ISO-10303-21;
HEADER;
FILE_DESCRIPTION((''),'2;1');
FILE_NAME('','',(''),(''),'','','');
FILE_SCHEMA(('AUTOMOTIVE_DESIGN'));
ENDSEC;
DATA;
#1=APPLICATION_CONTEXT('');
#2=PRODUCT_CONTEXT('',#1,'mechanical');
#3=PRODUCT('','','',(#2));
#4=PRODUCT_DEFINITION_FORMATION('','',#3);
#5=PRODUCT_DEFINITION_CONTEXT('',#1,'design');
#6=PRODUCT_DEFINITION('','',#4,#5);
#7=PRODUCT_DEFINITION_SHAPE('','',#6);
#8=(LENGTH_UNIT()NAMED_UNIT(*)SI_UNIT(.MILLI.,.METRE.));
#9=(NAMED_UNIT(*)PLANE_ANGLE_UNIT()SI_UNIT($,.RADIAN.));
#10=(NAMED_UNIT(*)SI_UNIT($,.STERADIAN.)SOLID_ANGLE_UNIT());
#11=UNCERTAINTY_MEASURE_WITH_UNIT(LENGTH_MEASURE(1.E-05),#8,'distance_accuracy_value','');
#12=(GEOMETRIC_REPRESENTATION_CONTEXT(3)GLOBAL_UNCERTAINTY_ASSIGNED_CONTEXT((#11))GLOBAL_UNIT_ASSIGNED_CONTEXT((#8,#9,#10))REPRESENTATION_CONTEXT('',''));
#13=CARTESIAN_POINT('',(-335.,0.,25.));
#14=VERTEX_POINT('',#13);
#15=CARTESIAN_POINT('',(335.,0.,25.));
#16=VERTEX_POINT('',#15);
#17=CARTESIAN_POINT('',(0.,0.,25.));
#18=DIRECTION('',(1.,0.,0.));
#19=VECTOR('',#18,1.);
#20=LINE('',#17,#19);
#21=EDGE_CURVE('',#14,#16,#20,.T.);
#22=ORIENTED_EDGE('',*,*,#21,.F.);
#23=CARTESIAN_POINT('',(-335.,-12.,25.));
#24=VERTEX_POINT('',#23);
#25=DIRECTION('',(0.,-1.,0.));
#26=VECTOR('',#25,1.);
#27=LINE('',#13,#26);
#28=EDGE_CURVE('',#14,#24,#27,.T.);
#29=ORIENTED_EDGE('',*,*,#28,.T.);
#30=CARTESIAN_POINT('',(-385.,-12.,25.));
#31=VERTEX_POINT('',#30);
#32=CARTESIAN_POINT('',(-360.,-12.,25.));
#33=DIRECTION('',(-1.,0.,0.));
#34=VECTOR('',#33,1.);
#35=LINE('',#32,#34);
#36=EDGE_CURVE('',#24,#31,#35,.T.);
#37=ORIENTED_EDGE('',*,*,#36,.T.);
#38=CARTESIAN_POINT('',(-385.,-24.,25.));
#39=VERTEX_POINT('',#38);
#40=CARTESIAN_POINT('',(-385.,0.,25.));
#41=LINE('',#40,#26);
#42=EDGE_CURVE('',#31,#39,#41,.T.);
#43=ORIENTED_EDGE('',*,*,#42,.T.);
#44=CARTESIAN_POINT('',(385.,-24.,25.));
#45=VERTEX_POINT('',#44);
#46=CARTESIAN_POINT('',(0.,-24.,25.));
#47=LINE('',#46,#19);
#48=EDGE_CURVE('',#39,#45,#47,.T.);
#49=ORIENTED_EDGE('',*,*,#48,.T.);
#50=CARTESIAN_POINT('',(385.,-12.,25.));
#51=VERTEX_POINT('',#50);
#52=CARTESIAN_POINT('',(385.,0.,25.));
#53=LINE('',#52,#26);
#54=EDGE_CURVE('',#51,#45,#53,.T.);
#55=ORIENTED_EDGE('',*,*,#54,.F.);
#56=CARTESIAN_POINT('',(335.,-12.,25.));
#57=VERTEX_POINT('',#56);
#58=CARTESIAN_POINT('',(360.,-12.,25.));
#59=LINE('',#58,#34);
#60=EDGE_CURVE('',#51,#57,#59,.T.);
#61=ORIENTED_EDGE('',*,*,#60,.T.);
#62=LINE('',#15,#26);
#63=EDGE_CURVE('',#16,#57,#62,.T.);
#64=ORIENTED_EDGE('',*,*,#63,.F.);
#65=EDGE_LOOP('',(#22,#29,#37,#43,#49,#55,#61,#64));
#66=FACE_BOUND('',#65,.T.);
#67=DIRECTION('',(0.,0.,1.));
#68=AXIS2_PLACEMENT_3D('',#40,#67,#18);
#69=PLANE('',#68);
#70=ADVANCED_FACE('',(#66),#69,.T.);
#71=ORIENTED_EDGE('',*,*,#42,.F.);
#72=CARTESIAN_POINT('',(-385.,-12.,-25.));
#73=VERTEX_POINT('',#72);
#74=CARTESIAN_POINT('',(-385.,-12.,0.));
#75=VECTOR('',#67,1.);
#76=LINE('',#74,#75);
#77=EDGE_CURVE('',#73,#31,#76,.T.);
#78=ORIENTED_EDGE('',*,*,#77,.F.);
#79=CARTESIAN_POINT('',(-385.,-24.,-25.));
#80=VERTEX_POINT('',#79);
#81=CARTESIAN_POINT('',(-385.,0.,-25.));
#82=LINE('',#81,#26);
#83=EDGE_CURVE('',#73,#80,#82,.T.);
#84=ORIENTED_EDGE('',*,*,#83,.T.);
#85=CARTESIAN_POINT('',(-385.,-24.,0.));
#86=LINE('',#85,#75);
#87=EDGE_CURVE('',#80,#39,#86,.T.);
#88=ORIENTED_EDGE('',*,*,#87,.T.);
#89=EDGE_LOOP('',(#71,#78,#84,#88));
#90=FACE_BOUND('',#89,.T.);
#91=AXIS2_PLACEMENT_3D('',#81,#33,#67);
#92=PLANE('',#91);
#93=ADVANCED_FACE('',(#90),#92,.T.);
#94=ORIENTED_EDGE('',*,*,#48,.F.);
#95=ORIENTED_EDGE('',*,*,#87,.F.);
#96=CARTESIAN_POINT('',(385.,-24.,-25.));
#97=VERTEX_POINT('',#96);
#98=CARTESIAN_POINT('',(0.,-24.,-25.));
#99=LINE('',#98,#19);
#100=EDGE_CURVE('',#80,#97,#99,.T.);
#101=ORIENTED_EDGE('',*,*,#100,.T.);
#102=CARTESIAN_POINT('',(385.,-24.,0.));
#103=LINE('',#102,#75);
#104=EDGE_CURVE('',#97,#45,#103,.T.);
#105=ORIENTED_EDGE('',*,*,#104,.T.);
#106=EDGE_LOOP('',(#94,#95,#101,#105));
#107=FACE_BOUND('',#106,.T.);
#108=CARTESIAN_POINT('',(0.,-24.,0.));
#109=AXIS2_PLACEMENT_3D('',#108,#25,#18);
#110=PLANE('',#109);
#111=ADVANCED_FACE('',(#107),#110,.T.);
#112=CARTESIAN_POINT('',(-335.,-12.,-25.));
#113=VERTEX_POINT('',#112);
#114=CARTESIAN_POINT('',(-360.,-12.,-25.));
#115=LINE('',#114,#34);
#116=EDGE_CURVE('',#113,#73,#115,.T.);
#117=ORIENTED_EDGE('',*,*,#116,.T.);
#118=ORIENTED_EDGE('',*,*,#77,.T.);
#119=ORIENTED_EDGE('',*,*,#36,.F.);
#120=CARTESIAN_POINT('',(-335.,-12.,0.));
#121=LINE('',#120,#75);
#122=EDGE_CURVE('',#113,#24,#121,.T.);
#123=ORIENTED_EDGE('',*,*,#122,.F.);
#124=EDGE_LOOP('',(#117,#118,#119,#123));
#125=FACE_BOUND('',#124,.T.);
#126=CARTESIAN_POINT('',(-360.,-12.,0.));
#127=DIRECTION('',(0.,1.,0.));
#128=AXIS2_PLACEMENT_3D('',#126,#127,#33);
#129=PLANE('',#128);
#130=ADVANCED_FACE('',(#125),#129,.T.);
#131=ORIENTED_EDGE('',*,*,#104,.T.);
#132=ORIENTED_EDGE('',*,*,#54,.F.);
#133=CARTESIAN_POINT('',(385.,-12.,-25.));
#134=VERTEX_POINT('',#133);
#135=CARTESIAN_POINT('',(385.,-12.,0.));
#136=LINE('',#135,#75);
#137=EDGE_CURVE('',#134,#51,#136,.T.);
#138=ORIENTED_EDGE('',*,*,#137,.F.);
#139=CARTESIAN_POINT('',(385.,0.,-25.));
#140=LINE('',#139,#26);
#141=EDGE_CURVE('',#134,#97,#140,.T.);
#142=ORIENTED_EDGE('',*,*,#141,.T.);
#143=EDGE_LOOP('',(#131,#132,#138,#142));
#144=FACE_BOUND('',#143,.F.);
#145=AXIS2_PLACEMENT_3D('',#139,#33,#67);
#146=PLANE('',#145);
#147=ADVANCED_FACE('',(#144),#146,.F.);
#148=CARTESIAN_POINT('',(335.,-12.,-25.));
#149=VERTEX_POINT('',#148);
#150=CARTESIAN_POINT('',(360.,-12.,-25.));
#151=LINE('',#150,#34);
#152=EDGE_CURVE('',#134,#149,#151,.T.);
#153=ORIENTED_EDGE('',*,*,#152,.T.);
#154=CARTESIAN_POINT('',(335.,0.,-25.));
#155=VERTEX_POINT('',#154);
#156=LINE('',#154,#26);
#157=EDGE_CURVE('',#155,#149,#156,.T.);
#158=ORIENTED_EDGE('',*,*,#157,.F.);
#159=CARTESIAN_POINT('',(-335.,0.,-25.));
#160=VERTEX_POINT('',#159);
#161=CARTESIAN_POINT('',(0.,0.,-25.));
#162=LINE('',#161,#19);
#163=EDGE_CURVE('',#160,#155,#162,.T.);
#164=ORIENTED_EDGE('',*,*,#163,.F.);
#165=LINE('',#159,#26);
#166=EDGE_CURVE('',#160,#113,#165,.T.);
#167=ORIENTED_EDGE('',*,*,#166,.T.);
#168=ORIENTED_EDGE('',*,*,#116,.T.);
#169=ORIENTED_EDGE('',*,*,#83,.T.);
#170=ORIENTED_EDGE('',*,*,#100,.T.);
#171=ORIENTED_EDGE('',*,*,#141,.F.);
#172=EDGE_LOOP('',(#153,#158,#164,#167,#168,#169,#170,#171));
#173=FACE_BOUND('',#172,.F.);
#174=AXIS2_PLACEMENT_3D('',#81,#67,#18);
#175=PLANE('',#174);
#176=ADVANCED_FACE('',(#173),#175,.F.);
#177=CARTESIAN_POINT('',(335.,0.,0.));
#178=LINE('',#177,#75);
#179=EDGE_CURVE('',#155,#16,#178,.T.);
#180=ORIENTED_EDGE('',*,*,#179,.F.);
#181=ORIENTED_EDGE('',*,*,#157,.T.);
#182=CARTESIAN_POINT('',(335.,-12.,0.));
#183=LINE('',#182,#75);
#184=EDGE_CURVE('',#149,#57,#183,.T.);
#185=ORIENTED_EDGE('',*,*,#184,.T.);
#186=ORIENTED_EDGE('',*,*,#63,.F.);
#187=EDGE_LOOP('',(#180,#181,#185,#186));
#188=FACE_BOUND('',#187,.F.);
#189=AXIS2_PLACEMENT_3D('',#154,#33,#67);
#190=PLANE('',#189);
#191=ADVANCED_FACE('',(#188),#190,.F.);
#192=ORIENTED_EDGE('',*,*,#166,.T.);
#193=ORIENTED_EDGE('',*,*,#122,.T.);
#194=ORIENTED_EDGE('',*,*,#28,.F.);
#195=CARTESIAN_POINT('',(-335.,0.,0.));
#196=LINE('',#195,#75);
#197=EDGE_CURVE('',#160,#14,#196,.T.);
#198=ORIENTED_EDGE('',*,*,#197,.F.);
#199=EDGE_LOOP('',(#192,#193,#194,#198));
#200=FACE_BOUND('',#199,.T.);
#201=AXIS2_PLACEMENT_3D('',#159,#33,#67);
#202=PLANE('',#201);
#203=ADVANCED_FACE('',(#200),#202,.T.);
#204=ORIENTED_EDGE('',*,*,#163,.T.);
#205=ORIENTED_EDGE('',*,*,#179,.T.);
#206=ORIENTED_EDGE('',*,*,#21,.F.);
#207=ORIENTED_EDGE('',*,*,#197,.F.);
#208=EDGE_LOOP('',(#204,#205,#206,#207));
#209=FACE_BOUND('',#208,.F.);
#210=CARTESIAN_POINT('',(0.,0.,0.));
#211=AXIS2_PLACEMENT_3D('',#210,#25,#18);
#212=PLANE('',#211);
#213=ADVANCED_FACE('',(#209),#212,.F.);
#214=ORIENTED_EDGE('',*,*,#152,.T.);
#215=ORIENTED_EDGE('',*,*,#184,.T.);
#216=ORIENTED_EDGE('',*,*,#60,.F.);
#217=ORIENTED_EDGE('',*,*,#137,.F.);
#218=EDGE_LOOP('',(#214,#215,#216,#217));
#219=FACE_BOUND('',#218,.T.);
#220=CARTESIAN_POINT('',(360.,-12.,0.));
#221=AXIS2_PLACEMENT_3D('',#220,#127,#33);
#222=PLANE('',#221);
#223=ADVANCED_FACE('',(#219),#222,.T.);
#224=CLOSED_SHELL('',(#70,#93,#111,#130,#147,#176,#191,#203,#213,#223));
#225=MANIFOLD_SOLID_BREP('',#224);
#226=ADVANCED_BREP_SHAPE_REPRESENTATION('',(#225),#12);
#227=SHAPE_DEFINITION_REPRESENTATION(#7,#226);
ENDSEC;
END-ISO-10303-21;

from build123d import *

# Parameters (mm, degrees)
F0_W     = 770
F0_H     = 50
F1_DEPTH = 24
F2_W     = 50
F2_H     = 50
F3_DEPTH = 12


with BuildPart() as f1:
    # F0 (on Front) → F1 (new body)
    with BuildSketch(Plane.XZ):
        Rectangle(F0_W, F0_H)
    extrude(amount=F1_DEPTH)

    # F2 (on face) → F3 (cut)
    with BuildSketch(Plane(origin=(0, 0, 0), x_dir=(-1, 0, 0), z_dir=(0, 1, 0))):
        with Locations((-360, 0)):
            Rectangle(F2_W, F2_H)
        with Locations((360, 0)):
            Rectangle(F2_W, F2_H)
    extrude(amount=-F3_DEPTH, mode=Mode.SUBTRACT)


solid = f1.part
